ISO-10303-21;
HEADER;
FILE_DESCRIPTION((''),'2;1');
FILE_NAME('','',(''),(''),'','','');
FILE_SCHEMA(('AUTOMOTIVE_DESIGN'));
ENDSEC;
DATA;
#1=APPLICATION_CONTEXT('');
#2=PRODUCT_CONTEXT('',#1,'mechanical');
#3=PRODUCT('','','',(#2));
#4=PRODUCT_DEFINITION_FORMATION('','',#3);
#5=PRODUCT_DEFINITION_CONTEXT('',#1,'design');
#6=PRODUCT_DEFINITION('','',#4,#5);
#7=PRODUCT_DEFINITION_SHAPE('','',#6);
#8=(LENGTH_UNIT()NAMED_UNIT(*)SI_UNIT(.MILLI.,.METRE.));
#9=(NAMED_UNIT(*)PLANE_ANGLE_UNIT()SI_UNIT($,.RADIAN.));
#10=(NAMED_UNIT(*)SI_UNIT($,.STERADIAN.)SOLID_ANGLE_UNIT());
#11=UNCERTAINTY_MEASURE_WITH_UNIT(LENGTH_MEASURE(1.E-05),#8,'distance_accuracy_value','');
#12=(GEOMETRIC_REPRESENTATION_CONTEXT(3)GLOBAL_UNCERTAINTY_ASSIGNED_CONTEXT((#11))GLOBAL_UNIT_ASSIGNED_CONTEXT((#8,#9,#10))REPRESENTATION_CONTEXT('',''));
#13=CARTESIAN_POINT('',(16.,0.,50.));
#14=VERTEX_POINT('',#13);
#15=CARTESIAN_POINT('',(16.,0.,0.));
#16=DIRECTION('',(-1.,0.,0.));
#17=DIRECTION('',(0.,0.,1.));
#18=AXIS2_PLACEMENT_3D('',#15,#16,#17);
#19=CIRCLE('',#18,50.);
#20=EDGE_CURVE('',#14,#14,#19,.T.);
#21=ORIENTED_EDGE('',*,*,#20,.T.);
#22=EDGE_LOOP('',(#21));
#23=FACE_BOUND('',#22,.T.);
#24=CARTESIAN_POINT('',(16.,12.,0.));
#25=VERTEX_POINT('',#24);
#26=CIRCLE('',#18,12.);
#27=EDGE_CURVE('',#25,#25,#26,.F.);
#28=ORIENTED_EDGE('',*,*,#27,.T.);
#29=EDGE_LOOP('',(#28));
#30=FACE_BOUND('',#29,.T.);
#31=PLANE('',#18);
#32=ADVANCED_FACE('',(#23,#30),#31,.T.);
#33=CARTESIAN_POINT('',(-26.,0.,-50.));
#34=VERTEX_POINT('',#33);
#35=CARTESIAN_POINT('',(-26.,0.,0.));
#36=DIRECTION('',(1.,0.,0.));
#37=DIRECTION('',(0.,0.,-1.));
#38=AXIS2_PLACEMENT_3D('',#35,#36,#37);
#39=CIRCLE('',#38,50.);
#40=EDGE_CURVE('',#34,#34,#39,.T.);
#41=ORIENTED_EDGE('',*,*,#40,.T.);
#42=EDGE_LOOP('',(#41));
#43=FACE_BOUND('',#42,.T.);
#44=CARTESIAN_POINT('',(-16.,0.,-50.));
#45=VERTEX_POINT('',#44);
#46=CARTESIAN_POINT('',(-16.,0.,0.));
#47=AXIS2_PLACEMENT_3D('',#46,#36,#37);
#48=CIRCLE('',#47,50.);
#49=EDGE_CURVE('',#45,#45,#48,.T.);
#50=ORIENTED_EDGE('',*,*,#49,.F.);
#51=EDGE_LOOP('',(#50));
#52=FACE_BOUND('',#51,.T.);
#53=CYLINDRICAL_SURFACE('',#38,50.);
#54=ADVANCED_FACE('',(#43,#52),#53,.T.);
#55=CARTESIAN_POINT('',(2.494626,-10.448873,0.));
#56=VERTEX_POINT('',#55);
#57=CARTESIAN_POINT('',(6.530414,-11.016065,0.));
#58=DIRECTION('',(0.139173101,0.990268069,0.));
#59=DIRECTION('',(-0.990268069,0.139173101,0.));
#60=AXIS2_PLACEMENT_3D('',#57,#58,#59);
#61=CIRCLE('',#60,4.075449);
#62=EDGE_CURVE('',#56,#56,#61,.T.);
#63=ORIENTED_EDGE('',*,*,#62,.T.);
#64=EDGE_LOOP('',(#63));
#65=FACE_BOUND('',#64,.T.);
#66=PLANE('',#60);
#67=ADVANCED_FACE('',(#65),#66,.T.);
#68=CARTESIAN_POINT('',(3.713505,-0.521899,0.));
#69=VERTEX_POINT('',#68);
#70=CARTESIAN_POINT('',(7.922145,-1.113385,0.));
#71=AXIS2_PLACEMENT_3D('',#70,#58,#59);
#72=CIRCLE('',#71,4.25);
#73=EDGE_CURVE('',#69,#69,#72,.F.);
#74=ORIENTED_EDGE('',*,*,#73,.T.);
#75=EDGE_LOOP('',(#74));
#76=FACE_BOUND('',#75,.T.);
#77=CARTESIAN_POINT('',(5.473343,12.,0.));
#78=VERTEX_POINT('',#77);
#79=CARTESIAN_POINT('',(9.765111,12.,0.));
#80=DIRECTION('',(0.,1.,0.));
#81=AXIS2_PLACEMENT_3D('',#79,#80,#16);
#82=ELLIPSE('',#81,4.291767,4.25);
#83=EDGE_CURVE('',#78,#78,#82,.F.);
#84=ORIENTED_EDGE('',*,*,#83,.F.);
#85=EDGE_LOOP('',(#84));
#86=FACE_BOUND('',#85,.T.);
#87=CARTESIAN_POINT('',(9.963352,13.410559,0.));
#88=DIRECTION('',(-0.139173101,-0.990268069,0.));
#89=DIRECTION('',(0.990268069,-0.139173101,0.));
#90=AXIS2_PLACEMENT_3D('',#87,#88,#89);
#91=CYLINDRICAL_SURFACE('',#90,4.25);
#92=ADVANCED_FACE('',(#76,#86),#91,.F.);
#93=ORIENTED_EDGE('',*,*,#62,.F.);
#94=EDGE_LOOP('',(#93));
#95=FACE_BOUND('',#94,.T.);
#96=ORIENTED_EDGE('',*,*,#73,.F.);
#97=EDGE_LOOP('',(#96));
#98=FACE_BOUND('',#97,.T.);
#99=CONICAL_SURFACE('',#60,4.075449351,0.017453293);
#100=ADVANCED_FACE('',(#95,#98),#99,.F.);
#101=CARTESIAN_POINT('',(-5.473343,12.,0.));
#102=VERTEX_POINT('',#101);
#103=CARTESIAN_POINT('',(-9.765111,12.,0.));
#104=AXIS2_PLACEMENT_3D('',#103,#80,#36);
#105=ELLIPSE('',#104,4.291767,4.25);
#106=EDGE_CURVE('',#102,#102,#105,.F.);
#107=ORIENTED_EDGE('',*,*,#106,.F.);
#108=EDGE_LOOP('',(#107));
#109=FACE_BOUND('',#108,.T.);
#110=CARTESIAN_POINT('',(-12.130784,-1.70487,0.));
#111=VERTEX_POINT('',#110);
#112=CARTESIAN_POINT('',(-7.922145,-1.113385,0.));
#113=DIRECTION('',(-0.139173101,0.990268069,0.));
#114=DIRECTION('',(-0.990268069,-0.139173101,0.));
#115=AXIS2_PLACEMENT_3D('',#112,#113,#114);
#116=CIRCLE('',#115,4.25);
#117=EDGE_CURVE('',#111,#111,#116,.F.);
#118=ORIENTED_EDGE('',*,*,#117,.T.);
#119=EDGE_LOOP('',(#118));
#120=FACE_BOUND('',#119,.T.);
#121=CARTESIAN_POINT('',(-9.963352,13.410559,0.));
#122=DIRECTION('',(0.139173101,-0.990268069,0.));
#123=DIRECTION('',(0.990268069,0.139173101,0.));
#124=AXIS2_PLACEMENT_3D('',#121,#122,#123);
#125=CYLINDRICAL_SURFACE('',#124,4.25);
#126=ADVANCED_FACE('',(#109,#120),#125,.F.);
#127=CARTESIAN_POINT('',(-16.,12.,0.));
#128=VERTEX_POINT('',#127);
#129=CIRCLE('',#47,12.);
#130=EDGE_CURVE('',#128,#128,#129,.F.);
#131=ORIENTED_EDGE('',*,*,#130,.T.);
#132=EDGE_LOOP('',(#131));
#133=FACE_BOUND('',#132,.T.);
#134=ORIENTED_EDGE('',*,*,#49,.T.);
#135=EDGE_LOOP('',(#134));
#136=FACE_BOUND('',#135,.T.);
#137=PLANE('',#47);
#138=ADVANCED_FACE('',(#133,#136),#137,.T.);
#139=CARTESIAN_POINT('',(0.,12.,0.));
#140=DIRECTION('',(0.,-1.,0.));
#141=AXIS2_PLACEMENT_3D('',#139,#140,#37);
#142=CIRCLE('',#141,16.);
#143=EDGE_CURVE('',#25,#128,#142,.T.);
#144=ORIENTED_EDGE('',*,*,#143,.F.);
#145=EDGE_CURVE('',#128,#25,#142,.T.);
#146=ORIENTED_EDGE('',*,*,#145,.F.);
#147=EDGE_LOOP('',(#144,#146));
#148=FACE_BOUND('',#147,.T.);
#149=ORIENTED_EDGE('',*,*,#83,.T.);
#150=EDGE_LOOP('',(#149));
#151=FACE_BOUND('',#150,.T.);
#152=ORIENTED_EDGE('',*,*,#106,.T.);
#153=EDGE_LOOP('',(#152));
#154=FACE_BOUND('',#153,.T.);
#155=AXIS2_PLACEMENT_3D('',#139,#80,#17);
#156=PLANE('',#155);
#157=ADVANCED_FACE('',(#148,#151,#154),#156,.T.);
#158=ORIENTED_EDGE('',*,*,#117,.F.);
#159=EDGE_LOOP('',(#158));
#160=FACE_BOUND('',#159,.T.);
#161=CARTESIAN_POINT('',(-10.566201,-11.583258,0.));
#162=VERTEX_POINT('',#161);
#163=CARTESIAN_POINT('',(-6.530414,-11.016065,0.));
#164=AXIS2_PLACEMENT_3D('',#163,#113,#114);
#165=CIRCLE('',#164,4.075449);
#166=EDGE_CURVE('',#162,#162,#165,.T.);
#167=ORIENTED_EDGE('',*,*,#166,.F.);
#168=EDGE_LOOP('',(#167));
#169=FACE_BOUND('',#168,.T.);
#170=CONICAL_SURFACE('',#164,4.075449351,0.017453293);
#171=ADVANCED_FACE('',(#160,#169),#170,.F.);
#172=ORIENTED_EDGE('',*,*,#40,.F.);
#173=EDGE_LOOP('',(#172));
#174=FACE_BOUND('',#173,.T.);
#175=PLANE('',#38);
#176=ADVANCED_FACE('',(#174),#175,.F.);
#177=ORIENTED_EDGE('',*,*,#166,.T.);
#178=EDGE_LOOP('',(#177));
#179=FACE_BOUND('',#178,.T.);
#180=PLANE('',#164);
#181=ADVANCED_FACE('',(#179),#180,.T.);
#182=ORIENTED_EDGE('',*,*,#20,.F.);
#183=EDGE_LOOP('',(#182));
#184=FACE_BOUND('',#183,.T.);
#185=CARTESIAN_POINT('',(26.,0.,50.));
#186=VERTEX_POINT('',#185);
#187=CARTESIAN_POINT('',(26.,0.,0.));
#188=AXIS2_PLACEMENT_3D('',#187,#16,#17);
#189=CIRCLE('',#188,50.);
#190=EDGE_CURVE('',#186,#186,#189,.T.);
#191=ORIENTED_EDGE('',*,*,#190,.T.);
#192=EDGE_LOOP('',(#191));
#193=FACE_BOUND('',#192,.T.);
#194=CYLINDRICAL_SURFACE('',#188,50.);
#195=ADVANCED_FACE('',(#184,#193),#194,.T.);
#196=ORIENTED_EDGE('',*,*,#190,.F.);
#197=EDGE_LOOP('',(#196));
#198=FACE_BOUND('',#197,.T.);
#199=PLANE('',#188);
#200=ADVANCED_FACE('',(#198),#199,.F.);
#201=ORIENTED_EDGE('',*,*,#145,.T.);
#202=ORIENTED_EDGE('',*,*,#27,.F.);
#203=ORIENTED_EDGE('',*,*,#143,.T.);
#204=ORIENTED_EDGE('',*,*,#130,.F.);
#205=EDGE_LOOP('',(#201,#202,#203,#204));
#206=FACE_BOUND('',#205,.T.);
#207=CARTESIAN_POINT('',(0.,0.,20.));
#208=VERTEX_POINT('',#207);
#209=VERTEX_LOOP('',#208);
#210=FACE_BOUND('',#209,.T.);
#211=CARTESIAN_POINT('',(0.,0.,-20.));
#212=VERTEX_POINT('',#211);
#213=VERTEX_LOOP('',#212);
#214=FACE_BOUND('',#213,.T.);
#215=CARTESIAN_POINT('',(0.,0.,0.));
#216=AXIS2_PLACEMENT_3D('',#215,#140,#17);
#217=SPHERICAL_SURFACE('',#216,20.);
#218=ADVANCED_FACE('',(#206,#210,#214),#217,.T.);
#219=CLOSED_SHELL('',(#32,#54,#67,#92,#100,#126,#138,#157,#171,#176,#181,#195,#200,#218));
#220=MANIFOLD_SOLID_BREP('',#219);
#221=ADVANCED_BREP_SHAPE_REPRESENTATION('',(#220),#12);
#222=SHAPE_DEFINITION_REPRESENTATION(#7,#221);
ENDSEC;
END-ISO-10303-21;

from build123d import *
from OCP.BRepFilletAPI import BRepFilletAPI_MakeChamfer

# Parameters (mm, degrees)
CUT_EXTRUDE1_DEPTH      = 35.641016151
CUT_EXTRUDE1_DEPTH_BACK = 10
SKETCH2_R               = 4.25
CUT_EXTRUDE2_DEPTH      = 35.641016151
CUT_EXTRUDE2_DEPTH_BACK = 10
SKETCH3_R               = 4.25
CHAMFER1_SIZE           = 10
CHAMFER1_SIZE2          = 0.174550649
SKETCH4_OUTSIDE_W       = 54.998
SKETCH4_OUTSIDE_H       = 54.998
SKETCH4_OUTSIDE_W_2     = 32
SKETCH4_OUTSIDE_H_2     = 40
CUT_EXTRUDE3_DEPTH      = 43.708313008
SKETCH5_R               = 50
BOSS_EXTRUDE1_DEPTH     = 10
BOSS_EXTRUDE2_START     = -10
SKETCH6_R               = 50
BOSS_EXTRUDE2_DEPTH     = 10


with BuildPart() as part:
    # Sketch1 → Revolve2 (revolve)
    with BuildSketch(Plane(origin=(0, 0, 0), x_dir=(0, 0, -1), z_dir=(1, 0, 0))):
        with BuildLine():
            Line((0, 12), (16, 12))
            ThreePointArc((16, 12), (17.88854382, -8.94427191), (0, -20))
            Line((0, -20), (0, 12))
        make_face()
    revolve(axis=Axis((0, -20, 0), (0, 1, 0)))

    # Sketch2 → Cut-Extrude1 (cut, two sides: drawn at the far end of the back side and taken through both)
    with BuildSketch(Plane(origin=(0, 0, 0), x_dir=(0, 0, 1), z_dir=(0.13917310096006574, 0.9902680687415703, 0)).offset(-CUT_EXTRUDE1_DEPTH_BACK)):
        with Locations((0, 8)):
            Circle(SKETCH2_R)
    extrude(amount=CUT_EXTRUDE1_DEPTH + CUT_EXTRUDE1_DEPTH_BACK, mode=Mode.SUBTRACT)

    # Sketch3 → Cut-Extrude2 (cut, two sides: drawn at the far end of the back side and taken through both)
    with BuildSketch(Plane(origin=(0, 0, 0), x_dir=(0, 0, 1), z_dir=(-0.13917310096006574, 0.9902680687415703, 0)).offset(-CUT_EXTRUDE2_DEPTH_BACK)):
        with Locations((0, -8)):
            Circle(SKETCH3_R)
    extrude(amount=CUT_EXTRUDE2_DEPTH + CUT_EXTRUDE2_DEPTH_BACK, mode=Mode.SUBTRACT)

    # Chamfer1: one chamfer whose edges measure the first distance from different faces: ONE call of the kernel's chamfer builder (chamfer() names one face for all edges)
    chamfer1_edges_1 = [part.edges().sort_by_distance(p)[0] for p in [
        (6.53041354, -11.016065495, -4.25),
    ]]
    chamfer1_side_1 = [part.faces().sort_by_distance(p)[0] for p in [
        (8.197713558, 0.847390567, -4.25),
    ]]
    chamfer1_edges_2 = [part.edges().sort_by_distance(p)[0] for p in [
        (-6.53041354, -11.016065495, -4.25),
    ]]
    chamfer1_side_2 = [part.faces().sort_by_distance(p)[0] for p in [
        (-8.197713558, 0.847390567, -4.25),
    ]]
    chamfer1 = BRepFilletAPI_MakeChamfer(part.part.solid().wrapped)
    for e in chamfer1_edges_1:
        chamfer1.Add(CHAMFER1_SIZE, CHAMFER1_SIZE2, e.wrapped, chamfer1_side_1[0].wrapped)  # the first distance lies on this face
    for e in chamfer1_edges_2:
        chamfer1.Add(CHAMFER1_SIZE, CHAMFER1_SIZE2, e.wrapped, chamfer1_side_2[0].wrapped)  # the first distance lies on this face
    add(Compound.cast(chamfer1.Shape()), mode=Mode.REPLACE)

    # Sketch4 outside → Cut-Extrude3 (cut, through all)
    with BuildSketch(Plane(origin=(0, 12, 0), x_dir=(1, 0, 0), z_dir=(0, 1, 0))):
        Rectangle(SKETCH4_OUTSIDE_W, SKETCH4_OUTSIDE_H)
        Rectangle(SKETCH4_OUTSIDE_W_2, SKETCH4_OUTSIDE_H_2, mode=Mode.SUBTRACT)
    extrude(amount=-CUT_EXTRUDE3_DEPTH, mode=Mode.SUBTRACT)

    # Sketch5 → Boss-Extrude1 (add)
    with BuildSketch(Plane(origin=(-16, 0, -32), x_dir=(0, 0, -1), z_dir=(1, 0, 0))):
        with Locations((-32, 0)):
            Circle(SKETCH5_R)
    extrude(amount=-BOSS_EXTRUDE1_DEPTH)

    # Sketch6 → Boss-Extrude2 (add)
    with BuildSketch(Plane(origin=(16, 0, 32), x_dir=(0, 0, 1), z_dir=(-1, 0, 0)).offset(BOSS_EXTRUDE2_START)):
        with Locations((-32, 0)):
            Circle(SKETCH6_R)
    extrude(amount=BOSS_EXTRUDE2_DEPTH)


solid = part.part
